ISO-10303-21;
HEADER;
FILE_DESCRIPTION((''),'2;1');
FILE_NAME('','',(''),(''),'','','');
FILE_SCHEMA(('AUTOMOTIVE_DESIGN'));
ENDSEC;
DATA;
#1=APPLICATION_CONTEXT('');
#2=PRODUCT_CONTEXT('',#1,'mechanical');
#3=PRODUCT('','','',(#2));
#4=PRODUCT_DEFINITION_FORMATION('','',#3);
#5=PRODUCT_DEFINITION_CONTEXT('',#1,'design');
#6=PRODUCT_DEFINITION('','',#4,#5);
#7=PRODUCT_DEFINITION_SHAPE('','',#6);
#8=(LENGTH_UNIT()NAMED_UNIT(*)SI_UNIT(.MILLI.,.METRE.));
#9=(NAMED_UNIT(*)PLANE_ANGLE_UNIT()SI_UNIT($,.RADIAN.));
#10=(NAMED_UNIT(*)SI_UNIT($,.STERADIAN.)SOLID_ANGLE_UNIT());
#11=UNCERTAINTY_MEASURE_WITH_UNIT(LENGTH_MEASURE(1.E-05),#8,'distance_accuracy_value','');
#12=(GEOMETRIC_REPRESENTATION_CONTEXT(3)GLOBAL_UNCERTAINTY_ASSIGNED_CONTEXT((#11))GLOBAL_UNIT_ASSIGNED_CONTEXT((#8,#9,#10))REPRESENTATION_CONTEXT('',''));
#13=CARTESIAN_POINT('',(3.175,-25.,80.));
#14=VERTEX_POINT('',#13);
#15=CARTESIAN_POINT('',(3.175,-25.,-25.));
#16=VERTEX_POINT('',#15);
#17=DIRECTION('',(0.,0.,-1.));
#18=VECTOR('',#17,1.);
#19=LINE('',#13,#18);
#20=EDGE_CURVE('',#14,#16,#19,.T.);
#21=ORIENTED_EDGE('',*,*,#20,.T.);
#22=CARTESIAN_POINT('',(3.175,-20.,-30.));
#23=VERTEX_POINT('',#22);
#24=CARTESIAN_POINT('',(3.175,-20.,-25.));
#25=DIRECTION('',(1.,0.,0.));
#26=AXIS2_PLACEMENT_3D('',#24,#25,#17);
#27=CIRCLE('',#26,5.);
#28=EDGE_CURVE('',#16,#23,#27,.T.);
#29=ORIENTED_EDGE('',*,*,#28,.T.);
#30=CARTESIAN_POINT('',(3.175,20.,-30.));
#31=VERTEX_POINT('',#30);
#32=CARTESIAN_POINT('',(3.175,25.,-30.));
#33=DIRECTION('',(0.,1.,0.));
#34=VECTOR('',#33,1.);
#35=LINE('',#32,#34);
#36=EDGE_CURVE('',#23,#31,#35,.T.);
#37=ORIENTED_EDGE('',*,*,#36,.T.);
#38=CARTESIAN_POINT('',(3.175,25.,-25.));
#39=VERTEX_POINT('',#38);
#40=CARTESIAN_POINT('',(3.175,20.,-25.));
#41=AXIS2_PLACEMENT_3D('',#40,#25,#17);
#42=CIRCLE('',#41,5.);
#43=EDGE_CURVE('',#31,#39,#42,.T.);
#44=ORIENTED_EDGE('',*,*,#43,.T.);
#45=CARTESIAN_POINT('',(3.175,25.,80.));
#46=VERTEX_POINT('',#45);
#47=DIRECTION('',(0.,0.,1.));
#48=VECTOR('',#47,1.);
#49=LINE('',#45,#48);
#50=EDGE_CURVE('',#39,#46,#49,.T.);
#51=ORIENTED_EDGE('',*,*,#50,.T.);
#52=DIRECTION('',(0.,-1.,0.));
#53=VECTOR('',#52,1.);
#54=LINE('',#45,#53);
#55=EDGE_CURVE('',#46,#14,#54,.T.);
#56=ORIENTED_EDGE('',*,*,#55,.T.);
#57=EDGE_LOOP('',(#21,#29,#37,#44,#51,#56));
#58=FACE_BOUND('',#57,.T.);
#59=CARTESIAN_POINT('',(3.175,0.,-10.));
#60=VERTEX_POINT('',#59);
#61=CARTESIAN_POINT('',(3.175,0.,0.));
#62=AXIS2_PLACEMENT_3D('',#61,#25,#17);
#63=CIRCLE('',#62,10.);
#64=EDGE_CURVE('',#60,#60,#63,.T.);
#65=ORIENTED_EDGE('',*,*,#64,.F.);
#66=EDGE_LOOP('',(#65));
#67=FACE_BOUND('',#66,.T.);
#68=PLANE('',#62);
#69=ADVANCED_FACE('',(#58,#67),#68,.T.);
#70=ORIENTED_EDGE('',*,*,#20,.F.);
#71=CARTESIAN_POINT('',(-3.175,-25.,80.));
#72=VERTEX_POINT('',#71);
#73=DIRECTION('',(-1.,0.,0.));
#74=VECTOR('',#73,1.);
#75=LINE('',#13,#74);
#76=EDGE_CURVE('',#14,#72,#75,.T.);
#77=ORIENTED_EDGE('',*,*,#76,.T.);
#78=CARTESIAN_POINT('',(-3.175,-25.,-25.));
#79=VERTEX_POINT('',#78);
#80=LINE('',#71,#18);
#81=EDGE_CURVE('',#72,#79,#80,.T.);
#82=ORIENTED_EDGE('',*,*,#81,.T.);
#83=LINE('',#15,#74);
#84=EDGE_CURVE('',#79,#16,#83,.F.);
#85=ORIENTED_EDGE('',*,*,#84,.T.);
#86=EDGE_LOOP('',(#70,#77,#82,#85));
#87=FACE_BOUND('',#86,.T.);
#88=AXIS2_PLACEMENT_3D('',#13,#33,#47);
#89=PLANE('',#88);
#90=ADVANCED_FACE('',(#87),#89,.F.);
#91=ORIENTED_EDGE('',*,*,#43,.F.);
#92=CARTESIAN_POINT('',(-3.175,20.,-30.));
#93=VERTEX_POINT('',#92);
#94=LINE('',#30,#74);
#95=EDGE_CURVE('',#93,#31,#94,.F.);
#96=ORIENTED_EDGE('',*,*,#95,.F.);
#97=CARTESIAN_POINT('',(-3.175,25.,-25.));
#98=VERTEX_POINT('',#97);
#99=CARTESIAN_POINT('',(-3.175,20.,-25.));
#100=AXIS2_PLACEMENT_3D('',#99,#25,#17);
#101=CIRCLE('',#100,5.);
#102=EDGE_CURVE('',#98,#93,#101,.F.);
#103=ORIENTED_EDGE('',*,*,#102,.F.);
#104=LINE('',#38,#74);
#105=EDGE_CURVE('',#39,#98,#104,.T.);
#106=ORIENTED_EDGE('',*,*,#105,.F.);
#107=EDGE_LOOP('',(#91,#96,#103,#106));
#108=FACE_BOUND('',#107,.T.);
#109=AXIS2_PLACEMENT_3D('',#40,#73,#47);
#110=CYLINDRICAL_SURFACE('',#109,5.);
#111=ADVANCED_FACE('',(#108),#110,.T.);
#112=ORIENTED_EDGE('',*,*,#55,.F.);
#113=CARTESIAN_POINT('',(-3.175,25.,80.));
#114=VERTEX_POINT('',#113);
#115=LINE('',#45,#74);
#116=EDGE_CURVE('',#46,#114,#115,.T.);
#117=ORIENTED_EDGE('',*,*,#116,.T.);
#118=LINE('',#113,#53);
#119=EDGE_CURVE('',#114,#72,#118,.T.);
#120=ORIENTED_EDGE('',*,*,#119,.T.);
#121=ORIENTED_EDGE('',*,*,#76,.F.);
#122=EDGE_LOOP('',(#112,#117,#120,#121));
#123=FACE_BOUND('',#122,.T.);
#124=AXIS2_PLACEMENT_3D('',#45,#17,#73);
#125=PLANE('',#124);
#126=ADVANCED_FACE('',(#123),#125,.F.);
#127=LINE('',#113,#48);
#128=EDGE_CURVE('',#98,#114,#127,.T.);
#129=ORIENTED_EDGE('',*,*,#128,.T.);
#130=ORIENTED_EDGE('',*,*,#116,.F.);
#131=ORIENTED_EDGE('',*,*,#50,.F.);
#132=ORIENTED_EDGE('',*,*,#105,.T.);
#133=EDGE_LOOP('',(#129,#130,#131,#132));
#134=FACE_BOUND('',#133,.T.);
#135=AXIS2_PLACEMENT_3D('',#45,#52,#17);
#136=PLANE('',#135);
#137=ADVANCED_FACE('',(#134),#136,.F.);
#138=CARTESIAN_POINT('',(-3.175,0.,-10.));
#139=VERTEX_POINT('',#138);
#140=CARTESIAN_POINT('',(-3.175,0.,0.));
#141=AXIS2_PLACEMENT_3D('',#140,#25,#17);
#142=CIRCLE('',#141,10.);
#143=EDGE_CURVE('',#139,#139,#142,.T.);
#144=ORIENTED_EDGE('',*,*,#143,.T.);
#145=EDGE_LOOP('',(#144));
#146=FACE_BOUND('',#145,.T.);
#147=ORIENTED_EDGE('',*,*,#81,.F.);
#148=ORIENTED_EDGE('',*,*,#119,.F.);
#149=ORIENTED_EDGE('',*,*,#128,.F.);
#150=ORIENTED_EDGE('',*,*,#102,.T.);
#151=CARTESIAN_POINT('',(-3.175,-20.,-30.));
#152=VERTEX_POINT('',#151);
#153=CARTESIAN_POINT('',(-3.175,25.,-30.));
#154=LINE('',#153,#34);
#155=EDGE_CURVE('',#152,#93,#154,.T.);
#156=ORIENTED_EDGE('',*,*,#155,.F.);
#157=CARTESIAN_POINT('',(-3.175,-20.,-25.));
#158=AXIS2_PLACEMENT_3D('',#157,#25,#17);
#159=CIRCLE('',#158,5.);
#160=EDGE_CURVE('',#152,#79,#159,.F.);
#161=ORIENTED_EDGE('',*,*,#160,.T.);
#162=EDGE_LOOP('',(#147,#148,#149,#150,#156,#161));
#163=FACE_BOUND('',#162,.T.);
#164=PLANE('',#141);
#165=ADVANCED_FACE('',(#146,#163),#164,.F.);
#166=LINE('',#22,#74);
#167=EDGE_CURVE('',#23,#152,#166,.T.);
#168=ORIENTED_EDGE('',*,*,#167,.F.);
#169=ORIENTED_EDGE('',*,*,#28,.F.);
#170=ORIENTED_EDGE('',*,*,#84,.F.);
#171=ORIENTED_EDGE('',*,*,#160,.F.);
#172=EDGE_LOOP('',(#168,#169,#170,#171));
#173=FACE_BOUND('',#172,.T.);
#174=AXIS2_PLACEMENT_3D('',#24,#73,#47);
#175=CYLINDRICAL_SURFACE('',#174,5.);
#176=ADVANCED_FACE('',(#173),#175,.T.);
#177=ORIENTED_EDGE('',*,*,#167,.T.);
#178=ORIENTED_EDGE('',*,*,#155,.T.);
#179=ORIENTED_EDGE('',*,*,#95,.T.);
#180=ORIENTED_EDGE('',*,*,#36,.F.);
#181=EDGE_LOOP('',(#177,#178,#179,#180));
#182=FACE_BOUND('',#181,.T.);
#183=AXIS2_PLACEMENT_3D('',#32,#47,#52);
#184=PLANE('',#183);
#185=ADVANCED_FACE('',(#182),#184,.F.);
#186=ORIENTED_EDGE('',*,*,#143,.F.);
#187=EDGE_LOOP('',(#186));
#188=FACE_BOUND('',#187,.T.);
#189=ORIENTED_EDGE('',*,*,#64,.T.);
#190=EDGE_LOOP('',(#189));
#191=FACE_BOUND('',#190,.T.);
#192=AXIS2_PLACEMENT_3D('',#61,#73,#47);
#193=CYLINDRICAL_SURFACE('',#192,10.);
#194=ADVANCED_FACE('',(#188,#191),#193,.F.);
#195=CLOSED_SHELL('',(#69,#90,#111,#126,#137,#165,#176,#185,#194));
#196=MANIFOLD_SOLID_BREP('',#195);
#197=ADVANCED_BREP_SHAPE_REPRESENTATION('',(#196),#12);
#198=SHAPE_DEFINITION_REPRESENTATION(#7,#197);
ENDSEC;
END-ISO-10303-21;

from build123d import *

# Parameters (mm, degrees)
SKETCH1_W           = 110
SKETCH1_H           = 50
SKETCH1_R           = 10
BOSS_EXTRUDE1_DEPTH = 3.175
FILLET1_R           = 5


with BuildPart() as part:
    # Sketch1 → Boss-Extrude1 (new, symmetric)
    with BuildSketch(Plane(origin=(0, 0, 0), x_dir=(0, 0, -1), z_dir=(1, 0, 0))):
        with Locations((-25, 0)):
            Rectangle(SKETCH1_W, SKETCH1_H)
        Circle(SKETCH1_R, mode=Mode.SUBTRACT)
    extrude(amount=BOSS_EXTRUDE1_DEPTH, both=True)

    # Fillet1
    fillet1_edges = [part.edges().sort_by_distance(p)[0] for p in [
        (0, -25, -30),
        (0, 25, -30),
    ]]
    fillet(fillet1_edges, radius=FILLET1_R)


solid = part.part
